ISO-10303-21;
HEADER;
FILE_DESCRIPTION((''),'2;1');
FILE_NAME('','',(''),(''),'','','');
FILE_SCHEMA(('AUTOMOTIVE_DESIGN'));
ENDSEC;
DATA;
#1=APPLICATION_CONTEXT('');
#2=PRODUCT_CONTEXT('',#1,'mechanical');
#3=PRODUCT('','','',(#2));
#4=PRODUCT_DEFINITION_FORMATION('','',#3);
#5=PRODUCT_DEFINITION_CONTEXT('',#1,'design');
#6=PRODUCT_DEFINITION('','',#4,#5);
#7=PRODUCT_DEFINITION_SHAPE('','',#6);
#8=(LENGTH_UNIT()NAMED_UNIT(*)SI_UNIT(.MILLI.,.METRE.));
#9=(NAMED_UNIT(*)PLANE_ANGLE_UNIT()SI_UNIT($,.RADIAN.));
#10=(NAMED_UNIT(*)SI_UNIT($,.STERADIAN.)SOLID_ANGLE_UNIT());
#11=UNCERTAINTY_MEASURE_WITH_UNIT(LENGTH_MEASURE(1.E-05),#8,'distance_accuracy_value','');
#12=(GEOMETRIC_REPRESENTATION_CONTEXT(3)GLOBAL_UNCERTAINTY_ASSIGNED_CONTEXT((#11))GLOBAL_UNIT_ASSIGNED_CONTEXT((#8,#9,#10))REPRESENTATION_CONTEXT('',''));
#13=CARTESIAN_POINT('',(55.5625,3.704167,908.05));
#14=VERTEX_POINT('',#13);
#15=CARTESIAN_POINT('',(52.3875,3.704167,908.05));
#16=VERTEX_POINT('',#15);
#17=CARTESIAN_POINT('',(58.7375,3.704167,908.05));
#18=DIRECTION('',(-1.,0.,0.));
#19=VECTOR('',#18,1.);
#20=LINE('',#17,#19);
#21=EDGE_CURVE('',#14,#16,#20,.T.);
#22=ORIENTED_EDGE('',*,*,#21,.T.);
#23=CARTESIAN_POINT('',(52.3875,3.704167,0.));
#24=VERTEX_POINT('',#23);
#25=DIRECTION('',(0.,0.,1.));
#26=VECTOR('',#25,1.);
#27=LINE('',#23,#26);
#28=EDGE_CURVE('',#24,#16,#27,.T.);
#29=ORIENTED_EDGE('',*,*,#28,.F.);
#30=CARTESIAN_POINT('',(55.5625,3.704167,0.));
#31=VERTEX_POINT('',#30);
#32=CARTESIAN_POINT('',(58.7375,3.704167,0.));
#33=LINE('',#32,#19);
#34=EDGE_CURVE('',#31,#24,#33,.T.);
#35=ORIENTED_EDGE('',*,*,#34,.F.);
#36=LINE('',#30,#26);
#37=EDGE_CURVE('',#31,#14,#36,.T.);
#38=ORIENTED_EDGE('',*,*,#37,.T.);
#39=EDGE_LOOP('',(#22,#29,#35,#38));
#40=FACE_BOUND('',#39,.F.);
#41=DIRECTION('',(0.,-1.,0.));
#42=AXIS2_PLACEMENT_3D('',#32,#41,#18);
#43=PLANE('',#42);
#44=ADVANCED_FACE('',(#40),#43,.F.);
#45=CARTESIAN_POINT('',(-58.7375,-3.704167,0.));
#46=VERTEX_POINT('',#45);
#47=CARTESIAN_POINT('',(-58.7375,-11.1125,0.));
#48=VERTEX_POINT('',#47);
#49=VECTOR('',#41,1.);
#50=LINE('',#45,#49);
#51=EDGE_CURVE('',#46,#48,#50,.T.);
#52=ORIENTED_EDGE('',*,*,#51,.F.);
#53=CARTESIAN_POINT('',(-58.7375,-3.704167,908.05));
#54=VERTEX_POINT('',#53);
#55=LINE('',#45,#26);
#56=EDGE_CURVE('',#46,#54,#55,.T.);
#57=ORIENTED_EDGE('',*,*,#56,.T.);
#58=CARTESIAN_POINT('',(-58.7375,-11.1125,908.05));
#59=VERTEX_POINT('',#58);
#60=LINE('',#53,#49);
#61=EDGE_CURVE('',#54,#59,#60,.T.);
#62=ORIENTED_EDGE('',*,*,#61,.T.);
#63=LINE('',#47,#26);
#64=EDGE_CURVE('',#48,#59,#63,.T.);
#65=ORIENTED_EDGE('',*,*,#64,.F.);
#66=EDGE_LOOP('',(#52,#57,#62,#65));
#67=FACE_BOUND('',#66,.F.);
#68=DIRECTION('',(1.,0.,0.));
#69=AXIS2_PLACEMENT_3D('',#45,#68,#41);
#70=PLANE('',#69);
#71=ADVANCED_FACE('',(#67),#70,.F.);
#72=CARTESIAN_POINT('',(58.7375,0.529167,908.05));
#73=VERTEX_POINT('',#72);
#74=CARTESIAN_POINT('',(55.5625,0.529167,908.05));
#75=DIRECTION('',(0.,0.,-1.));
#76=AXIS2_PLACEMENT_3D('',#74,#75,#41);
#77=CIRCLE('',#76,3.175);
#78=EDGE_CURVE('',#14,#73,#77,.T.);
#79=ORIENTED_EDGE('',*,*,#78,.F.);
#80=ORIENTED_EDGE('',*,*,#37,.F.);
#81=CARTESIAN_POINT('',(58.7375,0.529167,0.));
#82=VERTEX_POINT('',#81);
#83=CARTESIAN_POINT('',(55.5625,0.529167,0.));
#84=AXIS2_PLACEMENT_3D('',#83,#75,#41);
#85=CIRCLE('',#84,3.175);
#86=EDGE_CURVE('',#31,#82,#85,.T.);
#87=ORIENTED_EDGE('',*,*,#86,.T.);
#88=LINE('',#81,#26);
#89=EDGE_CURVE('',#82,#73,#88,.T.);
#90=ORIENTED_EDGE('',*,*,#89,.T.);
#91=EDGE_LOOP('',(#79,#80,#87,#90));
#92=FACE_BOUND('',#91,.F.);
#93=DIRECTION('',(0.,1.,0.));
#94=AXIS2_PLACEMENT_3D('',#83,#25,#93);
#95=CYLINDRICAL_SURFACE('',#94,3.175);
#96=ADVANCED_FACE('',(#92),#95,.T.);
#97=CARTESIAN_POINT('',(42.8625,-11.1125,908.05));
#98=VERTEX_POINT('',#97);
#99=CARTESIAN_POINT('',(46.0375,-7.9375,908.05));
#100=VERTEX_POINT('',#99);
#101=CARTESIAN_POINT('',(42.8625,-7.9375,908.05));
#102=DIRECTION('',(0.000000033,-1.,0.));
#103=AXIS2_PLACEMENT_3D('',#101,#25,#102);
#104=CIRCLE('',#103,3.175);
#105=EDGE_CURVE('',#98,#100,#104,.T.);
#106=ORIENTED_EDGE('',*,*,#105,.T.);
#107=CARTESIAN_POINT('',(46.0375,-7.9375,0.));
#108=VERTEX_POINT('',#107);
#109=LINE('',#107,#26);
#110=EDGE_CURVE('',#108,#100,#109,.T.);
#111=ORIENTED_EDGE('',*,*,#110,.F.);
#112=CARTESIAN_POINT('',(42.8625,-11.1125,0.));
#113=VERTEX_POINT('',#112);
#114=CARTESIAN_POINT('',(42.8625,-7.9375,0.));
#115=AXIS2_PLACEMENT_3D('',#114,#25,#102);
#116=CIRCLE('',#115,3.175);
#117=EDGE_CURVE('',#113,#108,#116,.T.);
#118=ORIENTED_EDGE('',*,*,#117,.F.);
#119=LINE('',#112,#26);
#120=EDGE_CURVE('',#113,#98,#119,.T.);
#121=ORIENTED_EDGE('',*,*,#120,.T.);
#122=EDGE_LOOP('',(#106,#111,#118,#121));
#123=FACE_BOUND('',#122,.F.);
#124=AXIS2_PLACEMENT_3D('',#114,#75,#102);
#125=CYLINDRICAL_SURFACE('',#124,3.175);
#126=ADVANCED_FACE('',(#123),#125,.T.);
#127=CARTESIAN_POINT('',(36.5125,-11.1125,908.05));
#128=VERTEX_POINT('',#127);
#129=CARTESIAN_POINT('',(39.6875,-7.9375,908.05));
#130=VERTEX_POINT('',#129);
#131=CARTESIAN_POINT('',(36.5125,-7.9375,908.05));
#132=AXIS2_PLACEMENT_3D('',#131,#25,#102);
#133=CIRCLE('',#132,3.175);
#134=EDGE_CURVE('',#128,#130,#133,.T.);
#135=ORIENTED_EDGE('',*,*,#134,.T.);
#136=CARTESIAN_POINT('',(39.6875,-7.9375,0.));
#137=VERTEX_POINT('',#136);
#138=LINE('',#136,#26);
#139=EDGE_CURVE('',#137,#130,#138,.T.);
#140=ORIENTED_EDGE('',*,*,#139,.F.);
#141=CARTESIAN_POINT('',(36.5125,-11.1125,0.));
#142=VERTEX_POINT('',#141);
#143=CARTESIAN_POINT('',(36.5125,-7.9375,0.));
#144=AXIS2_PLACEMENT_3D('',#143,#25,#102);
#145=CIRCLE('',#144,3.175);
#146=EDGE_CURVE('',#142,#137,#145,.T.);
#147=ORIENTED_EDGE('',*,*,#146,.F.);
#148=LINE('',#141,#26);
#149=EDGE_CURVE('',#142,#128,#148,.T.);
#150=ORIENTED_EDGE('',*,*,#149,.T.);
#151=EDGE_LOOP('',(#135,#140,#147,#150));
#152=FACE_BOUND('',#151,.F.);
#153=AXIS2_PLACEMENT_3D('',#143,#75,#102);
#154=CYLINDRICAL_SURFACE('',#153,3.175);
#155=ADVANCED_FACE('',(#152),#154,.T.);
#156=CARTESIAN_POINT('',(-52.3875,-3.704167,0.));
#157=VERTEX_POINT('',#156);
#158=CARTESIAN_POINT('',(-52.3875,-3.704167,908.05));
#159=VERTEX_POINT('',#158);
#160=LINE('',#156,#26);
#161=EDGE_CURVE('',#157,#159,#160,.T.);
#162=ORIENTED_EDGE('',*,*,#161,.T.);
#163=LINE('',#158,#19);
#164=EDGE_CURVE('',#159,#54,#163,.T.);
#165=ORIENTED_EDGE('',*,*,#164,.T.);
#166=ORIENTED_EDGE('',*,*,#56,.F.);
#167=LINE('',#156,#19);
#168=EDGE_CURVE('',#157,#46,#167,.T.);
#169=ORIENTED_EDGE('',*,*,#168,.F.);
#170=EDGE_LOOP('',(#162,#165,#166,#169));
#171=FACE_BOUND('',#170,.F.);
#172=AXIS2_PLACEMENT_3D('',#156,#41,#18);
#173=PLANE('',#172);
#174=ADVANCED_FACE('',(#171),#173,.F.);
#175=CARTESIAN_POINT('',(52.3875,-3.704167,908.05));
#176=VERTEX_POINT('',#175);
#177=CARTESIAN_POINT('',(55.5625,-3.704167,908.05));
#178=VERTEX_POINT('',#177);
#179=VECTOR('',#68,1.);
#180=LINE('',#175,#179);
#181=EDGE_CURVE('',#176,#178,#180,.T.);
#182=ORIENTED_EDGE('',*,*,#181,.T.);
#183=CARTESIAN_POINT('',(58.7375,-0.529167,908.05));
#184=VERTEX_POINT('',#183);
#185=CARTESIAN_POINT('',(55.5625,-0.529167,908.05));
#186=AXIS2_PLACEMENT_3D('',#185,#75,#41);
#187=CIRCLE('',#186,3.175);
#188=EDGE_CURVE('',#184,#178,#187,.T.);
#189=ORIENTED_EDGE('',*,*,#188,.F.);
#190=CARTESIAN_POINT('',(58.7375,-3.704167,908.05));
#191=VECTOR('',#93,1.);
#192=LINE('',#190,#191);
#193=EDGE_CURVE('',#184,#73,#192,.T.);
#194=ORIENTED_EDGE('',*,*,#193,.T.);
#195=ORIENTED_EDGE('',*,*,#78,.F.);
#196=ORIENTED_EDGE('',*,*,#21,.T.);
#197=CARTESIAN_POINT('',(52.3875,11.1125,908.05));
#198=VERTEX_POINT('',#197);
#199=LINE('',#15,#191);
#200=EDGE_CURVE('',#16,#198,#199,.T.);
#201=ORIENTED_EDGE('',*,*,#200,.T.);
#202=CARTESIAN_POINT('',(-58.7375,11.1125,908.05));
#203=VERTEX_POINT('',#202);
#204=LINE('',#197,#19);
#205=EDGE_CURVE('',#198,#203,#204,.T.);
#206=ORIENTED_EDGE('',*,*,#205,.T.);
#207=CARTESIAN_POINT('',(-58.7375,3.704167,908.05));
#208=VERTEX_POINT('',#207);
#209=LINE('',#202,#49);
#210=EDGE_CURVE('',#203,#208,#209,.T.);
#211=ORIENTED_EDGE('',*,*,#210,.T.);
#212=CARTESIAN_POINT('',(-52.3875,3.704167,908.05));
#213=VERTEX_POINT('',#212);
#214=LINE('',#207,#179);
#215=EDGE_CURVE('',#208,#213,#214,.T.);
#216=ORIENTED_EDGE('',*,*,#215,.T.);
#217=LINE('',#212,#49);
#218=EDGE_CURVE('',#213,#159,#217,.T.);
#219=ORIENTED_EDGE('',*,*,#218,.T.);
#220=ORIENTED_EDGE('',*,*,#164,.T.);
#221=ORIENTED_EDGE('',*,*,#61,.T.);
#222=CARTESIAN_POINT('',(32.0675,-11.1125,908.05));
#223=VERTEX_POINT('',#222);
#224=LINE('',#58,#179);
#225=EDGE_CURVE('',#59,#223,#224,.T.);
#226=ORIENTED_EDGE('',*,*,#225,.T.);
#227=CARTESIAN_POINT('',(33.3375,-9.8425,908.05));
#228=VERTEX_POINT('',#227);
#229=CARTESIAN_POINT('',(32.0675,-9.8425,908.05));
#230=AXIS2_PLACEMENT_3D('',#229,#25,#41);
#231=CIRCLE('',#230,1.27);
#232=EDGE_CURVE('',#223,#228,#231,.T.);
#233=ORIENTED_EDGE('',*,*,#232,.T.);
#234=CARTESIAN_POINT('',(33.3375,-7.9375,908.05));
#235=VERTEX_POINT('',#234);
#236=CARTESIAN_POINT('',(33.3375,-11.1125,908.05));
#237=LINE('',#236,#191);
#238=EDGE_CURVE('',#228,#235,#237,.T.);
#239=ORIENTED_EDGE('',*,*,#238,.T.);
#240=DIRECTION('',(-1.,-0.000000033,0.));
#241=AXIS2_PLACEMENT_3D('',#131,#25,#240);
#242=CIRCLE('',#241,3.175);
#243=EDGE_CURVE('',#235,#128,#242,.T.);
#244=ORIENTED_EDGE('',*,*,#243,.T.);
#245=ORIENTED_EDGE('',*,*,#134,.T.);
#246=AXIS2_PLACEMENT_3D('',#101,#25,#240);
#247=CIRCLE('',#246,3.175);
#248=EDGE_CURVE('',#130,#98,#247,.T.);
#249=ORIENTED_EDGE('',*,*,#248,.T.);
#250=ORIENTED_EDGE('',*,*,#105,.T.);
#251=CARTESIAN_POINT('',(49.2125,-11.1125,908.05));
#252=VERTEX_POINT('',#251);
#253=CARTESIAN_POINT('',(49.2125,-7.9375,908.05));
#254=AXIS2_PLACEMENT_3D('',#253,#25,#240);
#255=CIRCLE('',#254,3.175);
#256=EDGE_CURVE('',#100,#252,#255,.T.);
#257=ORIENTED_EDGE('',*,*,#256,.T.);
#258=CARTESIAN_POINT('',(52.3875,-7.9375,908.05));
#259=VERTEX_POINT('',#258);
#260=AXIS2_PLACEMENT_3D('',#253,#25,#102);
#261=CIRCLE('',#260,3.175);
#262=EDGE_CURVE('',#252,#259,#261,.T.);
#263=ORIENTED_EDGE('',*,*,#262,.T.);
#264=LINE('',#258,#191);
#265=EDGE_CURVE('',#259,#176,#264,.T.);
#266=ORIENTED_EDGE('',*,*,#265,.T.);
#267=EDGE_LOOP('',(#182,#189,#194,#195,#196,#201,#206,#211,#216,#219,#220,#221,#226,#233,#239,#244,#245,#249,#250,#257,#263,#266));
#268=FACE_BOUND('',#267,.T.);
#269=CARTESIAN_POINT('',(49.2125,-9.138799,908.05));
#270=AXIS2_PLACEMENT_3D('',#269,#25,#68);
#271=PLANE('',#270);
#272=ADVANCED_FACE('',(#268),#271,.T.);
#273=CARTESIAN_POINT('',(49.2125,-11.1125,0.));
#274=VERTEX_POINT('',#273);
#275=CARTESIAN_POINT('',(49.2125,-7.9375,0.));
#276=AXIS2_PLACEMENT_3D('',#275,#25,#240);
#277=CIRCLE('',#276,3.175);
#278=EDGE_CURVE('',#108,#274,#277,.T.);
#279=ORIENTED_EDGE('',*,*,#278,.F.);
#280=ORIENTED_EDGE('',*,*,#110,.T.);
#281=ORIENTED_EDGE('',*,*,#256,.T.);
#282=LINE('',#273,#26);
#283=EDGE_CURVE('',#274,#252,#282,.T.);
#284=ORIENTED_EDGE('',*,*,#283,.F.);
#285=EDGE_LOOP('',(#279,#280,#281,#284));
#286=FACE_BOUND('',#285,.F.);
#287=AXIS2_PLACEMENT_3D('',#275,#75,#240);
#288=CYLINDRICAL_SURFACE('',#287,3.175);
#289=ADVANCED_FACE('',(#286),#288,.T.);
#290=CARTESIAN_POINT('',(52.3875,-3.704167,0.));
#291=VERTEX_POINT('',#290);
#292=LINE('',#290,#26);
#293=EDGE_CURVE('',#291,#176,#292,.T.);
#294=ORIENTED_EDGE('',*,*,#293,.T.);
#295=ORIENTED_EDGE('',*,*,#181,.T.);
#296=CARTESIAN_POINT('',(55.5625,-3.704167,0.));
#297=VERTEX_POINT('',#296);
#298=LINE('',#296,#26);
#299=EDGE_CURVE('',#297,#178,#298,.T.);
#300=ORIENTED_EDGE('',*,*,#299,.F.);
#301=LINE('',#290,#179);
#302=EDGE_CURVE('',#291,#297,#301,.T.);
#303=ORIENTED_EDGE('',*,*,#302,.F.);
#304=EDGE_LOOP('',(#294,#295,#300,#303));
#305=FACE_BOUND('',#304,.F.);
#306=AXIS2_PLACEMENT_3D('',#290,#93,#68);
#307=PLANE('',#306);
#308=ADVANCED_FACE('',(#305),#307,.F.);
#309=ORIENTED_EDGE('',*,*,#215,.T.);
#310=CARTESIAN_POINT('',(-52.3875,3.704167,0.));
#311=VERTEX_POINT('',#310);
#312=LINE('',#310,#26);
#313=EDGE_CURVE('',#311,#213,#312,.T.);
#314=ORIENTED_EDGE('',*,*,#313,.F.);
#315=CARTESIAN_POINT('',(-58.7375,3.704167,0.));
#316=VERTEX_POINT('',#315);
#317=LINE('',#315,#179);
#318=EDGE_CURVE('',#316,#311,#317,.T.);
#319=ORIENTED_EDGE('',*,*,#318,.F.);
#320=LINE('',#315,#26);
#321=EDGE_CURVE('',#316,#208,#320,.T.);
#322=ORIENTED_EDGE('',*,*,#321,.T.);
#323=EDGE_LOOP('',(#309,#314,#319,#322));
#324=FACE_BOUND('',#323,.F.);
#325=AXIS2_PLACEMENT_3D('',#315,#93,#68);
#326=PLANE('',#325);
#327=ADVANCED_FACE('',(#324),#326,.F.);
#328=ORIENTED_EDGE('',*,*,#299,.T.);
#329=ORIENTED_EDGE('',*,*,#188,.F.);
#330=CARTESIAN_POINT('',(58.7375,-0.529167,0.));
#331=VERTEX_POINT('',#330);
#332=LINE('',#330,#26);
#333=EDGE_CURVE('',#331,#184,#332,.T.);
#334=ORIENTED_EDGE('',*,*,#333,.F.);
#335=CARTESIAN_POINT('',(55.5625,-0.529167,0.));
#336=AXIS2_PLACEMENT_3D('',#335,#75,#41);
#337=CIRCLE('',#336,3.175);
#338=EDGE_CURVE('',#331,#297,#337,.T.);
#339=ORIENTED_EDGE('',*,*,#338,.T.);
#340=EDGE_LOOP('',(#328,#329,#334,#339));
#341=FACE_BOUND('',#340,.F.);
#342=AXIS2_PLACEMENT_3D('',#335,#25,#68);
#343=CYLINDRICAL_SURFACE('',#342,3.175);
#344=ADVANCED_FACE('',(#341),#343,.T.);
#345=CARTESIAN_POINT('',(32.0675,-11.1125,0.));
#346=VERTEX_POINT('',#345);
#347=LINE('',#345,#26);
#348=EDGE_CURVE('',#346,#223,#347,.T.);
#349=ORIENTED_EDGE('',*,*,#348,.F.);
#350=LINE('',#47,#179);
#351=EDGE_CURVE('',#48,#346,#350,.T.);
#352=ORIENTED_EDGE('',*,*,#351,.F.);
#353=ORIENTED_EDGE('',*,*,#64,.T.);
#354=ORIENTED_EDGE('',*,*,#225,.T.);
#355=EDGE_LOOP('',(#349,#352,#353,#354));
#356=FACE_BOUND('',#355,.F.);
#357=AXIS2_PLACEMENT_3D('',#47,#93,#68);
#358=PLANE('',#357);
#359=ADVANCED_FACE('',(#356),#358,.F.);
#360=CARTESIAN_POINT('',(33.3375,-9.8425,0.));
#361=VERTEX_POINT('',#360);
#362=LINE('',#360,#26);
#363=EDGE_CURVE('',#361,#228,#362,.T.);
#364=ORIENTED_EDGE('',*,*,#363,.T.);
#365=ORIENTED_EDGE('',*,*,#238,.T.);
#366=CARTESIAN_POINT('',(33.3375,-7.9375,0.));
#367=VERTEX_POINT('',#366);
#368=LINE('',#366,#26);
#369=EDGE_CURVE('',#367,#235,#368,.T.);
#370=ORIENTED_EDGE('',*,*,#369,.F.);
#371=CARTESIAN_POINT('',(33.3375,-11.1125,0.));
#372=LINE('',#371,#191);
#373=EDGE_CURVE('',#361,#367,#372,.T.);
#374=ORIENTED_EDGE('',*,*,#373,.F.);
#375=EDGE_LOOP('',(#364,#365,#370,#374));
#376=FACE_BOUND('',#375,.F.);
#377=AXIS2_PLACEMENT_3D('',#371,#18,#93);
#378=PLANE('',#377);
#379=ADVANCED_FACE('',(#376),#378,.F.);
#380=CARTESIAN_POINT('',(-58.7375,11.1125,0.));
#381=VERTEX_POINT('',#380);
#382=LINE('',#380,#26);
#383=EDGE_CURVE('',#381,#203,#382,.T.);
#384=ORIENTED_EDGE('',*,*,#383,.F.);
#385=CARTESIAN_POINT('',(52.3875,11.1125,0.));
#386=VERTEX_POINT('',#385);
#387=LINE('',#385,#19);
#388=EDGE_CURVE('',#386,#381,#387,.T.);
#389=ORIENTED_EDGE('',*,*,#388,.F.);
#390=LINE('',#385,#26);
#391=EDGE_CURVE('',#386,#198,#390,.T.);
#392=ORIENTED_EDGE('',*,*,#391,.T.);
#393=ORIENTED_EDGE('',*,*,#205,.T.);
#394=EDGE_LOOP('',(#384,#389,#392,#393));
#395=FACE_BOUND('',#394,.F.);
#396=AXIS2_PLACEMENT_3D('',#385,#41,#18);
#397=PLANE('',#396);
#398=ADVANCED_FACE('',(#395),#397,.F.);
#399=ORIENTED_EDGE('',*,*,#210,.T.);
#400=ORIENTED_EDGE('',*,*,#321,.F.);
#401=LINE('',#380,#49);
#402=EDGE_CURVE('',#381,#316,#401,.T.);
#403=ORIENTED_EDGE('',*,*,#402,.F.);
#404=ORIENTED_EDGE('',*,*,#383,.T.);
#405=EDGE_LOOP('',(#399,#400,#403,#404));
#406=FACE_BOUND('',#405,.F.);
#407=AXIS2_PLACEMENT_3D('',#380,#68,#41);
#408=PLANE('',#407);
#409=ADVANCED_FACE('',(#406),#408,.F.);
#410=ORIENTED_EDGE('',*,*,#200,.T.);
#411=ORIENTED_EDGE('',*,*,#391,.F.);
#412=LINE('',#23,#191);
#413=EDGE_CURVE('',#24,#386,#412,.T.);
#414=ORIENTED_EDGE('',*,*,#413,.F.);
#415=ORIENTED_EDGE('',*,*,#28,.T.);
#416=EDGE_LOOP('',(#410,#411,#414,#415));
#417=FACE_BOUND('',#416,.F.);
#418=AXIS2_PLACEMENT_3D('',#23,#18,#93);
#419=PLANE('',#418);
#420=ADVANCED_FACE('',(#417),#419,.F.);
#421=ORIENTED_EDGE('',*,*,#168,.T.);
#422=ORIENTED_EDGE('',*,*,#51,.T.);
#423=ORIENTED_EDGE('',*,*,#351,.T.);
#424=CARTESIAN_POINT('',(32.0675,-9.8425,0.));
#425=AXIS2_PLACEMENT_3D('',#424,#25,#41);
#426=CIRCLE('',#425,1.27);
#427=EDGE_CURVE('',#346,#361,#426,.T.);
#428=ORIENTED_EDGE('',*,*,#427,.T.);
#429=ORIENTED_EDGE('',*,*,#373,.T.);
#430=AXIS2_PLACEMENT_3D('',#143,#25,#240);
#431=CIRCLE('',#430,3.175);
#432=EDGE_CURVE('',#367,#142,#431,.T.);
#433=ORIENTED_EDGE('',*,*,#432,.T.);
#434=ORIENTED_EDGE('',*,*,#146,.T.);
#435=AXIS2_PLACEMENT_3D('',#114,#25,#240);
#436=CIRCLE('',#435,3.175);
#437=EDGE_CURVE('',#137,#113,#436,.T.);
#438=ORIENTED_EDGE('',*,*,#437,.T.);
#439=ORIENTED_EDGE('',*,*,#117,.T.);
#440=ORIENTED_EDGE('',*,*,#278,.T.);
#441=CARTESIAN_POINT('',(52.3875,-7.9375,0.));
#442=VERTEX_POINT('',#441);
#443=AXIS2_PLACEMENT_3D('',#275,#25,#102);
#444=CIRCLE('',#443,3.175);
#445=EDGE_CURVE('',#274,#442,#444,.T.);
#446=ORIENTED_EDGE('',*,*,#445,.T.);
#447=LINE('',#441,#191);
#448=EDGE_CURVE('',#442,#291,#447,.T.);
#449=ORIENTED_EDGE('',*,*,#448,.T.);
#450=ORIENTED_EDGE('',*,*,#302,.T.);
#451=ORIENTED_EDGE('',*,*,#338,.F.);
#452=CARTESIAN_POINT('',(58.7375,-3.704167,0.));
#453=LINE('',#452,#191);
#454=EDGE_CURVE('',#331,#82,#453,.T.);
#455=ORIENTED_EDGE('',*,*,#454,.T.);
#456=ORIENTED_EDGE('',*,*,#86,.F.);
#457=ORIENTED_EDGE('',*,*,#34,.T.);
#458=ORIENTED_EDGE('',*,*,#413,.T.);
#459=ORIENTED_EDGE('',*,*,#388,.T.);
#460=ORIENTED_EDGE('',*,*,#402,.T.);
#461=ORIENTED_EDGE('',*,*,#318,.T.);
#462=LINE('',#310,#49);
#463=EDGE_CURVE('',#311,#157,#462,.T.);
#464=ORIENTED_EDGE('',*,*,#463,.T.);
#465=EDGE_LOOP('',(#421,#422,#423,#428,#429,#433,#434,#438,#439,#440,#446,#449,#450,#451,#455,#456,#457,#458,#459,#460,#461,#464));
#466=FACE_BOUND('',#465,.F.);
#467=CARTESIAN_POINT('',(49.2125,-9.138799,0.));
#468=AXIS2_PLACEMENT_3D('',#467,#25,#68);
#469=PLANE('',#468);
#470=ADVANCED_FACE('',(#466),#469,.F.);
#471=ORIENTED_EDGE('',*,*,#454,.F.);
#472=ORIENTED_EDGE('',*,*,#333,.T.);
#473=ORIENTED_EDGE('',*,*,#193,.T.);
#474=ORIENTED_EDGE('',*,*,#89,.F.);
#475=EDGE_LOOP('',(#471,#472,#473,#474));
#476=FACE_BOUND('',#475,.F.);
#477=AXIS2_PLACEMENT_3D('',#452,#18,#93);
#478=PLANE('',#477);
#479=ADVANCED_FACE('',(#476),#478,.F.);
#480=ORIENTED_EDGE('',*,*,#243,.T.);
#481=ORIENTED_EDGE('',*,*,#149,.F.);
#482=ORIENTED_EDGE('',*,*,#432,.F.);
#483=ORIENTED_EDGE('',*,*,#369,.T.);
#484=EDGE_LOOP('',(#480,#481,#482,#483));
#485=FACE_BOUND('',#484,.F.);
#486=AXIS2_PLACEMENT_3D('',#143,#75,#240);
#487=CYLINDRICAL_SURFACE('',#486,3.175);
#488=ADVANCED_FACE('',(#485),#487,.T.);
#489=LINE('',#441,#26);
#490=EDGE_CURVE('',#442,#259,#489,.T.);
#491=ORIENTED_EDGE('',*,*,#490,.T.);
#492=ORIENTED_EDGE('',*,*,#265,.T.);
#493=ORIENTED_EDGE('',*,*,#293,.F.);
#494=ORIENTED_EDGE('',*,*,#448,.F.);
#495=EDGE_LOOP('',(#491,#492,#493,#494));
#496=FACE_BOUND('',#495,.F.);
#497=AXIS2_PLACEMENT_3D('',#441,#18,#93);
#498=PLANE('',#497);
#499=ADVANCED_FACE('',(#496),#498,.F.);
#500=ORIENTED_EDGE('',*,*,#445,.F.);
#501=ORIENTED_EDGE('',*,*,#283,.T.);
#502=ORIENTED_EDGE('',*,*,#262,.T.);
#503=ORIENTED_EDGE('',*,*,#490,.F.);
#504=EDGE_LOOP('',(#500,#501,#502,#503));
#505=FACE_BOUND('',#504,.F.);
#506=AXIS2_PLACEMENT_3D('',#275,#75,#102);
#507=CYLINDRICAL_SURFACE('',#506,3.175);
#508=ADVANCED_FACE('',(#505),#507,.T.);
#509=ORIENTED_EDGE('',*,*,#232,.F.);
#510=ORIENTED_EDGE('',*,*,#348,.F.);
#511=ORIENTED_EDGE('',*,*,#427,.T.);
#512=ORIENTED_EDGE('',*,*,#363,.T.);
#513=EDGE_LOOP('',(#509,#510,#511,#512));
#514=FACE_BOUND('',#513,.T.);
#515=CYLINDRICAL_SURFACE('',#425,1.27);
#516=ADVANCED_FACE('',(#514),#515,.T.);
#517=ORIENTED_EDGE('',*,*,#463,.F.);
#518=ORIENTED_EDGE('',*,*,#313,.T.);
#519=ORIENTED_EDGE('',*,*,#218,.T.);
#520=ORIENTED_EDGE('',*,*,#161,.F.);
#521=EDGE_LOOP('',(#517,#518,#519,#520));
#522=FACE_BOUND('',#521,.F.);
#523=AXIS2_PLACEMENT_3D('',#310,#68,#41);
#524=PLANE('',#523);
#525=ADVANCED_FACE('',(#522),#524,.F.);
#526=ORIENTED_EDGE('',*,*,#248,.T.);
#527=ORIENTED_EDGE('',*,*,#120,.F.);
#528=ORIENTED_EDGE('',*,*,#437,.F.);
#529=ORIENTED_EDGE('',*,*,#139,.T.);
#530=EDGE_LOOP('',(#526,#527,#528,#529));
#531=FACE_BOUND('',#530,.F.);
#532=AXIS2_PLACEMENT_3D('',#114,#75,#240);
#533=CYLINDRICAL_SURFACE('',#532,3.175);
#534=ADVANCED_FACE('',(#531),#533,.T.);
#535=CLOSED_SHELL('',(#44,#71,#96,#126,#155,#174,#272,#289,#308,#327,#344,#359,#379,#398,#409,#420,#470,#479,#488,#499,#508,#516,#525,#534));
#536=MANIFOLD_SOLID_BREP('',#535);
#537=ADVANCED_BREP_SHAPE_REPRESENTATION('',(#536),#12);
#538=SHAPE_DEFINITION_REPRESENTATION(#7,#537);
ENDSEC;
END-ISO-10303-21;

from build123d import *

# Parameters (mm, degrees)
F1_DEPTH = 908.05
F2_R     = 1.27
F3_R     = 3.175


with BuildPart() as f1:
    # F0 (on Top) → F1 (new body)
    with BuildSketch(Plane.XY):
        with BuildLine():
            ThreePointArc((49.2125, -11.1125), (51.457564, -10.182564), (52.3875, -7.9375))
            Line((52.3875, -7.9375), (46.0375, -7.9375))
            ThreePointArc((46.0375, -7.9375), (46.967436, -10.182564), (49.2125, -11.1125))
        make_face()
        with BuildLine():
            ThreePointArc((42.8625, -11.1125), (45.107564, -10.182564), (46.0375, -7.9375))
            Line((46.0375, -7.9375), (39.6875, -7.9375))
            ThreePointArc((39.6875, -7.9375), (40.617436, -10.182564), (42.8625, -11.1125))
        make_face()
        with BuildLine():
            ThreePointArc((36.5125, -11.1125), (38.757564, -10.182564), (39.6875, -7.9375))
            Line((39.6875, -7.9375), (33.3375, -7.9375))
            ThreePointArc((33.3375, -7.9375), (34.267436, -10.182564), (36.5125, -11.1125))
        make_face()
        Polygon((52.3875, 3.704167), (52.3875, 11.1125), (-58.7375, 11.1125), (-58.7375, 3.704167), (-52.3875, 3.704167), (-52.3875, -3.704167), (-58.7375, -3.704167), (-58.7375, -11.1125), (33.3375, -11.1125), (33.3375, -7.9375), (39.6875, -7.9375), (46.0375, -7.9375), (52.3875, -7.9375), (52.3875, -3.704167), (58.7375, -3.704167), (58.7375, 3.704167), align=None)
    extrude(amount=F1_DEPTH)

    # F2
    f2_edges = [f1.edges().sort_by_distance(p)[0] for p in [
        (33.3375, -11.1125, 454.025),
    ]]
    fillet(f2_edges, radius=F2_R)

    # F3
    f3_edges = [f1.edges().sort_by_distance(p)[0] for p in [
        (58.7375, -3.704167, 454.025),
        (58.7375, 3.704167, 454.025),
    ]]
    fillet(f3_edges, radius=F3_R)


solid = f1.part
